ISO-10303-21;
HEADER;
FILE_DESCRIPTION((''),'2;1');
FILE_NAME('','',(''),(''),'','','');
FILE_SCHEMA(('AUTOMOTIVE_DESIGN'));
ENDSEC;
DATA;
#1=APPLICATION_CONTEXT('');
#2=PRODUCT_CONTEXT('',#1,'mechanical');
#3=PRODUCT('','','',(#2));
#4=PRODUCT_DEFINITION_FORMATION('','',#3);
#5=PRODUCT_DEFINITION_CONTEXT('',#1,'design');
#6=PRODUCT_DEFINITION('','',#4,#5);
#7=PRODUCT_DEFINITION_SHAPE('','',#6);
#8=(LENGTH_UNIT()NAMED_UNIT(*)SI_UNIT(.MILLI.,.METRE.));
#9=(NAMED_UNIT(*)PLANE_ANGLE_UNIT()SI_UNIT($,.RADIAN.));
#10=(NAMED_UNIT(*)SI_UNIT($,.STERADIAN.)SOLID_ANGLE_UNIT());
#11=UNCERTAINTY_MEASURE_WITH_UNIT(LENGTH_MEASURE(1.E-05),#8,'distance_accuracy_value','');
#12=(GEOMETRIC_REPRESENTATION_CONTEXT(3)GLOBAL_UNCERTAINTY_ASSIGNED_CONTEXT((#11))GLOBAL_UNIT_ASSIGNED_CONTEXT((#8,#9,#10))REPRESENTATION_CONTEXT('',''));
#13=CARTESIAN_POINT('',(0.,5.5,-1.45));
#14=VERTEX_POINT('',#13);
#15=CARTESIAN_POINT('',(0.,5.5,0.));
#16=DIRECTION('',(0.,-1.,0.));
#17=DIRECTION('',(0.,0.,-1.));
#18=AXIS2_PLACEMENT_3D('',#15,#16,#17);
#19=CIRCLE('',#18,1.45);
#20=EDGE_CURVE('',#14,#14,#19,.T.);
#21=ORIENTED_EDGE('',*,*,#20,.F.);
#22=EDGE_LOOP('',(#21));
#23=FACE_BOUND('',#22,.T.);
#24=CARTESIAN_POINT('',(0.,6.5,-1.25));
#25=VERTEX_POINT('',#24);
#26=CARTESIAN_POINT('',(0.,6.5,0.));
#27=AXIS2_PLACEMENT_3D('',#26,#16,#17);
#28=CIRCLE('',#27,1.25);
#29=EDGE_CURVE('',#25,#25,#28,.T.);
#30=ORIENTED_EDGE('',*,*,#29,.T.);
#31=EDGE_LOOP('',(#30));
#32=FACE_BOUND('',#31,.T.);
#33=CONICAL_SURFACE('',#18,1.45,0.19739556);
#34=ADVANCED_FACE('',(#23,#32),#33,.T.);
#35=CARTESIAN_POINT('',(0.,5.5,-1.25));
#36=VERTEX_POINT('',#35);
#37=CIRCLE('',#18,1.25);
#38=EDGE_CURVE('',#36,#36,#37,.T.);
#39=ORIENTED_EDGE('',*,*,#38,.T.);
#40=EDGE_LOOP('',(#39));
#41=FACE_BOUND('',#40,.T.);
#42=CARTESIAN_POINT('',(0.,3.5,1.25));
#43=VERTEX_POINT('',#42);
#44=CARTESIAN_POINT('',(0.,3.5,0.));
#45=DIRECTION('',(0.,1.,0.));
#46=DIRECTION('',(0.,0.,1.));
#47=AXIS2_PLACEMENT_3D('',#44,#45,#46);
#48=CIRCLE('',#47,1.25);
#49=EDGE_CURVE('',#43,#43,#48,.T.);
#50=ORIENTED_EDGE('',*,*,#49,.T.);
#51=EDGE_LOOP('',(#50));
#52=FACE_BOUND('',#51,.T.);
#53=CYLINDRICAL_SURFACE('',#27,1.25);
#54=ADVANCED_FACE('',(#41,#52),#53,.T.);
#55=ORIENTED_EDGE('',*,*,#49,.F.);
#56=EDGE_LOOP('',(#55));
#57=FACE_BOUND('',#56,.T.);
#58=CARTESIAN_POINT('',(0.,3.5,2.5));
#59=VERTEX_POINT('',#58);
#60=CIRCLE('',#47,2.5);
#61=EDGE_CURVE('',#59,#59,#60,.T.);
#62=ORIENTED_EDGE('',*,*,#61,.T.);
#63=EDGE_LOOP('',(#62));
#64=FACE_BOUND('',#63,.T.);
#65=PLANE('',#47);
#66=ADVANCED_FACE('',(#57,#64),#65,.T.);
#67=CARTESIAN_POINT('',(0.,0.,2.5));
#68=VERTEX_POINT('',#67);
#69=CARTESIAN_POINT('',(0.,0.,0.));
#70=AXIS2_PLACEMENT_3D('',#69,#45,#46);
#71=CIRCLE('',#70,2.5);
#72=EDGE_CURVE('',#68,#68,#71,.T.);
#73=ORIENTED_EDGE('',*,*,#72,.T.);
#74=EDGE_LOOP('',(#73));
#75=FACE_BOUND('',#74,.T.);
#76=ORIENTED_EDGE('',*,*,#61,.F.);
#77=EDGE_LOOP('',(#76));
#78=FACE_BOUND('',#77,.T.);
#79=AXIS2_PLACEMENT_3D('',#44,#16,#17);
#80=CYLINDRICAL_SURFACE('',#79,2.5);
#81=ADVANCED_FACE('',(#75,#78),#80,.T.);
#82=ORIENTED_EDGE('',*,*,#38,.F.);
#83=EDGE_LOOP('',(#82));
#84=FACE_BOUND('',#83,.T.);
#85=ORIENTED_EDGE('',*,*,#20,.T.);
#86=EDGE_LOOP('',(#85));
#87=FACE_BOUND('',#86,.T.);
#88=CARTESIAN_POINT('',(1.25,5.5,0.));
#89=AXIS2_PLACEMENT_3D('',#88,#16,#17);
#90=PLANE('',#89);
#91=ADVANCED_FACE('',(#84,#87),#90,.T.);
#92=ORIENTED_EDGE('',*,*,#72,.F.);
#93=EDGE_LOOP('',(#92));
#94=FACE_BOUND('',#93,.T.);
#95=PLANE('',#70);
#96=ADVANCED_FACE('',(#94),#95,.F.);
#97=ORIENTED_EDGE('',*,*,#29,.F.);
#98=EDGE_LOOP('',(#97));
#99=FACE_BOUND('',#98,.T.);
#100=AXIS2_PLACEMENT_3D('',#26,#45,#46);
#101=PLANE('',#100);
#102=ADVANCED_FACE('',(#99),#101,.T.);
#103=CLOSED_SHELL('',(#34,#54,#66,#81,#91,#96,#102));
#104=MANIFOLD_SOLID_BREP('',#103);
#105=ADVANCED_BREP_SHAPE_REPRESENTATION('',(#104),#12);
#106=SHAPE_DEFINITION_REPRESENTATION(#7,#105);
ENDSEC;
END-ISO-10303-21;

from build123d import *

# Parameters (mm, degrees)
SKETCH1_R           = 2.5
BOSS_EXTRUDE1_DEPTH = 3.5
SKETCH2_R           = 1.25
BOSS_EXTRUDE2_DEPTH = 3


with BuildPart() as part:
    # Sketch1 → Boss-Extrude1 (new body)
    with BuildSketch(Plane(origin=(0, 0, 0), x_dir=(1, 0, 0), z_dir=(0, 1, 0))):
        with Locations(Location((0, 0, 0), (0, 0, 270))):
            Circle(SKETCH1_R)
    extrude(amount=BOSS_EXTRUDE1_DEPTH)

    # Sketch2 → Boss-Extrude2 (add)
    with BuildSketch(Plane(origin=(0, 3.5, 0), x_dir=(1, 0, 0), z_dir=(0, 1, 0))):
        with Locations(Location((0, 0, 0), (0, 0, 270))):
            Circle(SKETCH2_R)
    extrude(amount=BOSS_EXTRUDE2_DEPTH)

    # Sketch3 → Revolve1 (revolve)
    with BuildSketch(Plane.XY, mode=Mode.PRIVATE) as revolve1_sk:
        Polygon((1.25, 6.5), (1.25, 5.5), (1.45, 5.5), align=None)
    revolve(revolve1_sk.sketch.rotate(Axis((0, 0, 0), (0, 1, 0)), 90), axis=Axis((0, 0, 0), (0, 1, 0)))


solid = part.part
